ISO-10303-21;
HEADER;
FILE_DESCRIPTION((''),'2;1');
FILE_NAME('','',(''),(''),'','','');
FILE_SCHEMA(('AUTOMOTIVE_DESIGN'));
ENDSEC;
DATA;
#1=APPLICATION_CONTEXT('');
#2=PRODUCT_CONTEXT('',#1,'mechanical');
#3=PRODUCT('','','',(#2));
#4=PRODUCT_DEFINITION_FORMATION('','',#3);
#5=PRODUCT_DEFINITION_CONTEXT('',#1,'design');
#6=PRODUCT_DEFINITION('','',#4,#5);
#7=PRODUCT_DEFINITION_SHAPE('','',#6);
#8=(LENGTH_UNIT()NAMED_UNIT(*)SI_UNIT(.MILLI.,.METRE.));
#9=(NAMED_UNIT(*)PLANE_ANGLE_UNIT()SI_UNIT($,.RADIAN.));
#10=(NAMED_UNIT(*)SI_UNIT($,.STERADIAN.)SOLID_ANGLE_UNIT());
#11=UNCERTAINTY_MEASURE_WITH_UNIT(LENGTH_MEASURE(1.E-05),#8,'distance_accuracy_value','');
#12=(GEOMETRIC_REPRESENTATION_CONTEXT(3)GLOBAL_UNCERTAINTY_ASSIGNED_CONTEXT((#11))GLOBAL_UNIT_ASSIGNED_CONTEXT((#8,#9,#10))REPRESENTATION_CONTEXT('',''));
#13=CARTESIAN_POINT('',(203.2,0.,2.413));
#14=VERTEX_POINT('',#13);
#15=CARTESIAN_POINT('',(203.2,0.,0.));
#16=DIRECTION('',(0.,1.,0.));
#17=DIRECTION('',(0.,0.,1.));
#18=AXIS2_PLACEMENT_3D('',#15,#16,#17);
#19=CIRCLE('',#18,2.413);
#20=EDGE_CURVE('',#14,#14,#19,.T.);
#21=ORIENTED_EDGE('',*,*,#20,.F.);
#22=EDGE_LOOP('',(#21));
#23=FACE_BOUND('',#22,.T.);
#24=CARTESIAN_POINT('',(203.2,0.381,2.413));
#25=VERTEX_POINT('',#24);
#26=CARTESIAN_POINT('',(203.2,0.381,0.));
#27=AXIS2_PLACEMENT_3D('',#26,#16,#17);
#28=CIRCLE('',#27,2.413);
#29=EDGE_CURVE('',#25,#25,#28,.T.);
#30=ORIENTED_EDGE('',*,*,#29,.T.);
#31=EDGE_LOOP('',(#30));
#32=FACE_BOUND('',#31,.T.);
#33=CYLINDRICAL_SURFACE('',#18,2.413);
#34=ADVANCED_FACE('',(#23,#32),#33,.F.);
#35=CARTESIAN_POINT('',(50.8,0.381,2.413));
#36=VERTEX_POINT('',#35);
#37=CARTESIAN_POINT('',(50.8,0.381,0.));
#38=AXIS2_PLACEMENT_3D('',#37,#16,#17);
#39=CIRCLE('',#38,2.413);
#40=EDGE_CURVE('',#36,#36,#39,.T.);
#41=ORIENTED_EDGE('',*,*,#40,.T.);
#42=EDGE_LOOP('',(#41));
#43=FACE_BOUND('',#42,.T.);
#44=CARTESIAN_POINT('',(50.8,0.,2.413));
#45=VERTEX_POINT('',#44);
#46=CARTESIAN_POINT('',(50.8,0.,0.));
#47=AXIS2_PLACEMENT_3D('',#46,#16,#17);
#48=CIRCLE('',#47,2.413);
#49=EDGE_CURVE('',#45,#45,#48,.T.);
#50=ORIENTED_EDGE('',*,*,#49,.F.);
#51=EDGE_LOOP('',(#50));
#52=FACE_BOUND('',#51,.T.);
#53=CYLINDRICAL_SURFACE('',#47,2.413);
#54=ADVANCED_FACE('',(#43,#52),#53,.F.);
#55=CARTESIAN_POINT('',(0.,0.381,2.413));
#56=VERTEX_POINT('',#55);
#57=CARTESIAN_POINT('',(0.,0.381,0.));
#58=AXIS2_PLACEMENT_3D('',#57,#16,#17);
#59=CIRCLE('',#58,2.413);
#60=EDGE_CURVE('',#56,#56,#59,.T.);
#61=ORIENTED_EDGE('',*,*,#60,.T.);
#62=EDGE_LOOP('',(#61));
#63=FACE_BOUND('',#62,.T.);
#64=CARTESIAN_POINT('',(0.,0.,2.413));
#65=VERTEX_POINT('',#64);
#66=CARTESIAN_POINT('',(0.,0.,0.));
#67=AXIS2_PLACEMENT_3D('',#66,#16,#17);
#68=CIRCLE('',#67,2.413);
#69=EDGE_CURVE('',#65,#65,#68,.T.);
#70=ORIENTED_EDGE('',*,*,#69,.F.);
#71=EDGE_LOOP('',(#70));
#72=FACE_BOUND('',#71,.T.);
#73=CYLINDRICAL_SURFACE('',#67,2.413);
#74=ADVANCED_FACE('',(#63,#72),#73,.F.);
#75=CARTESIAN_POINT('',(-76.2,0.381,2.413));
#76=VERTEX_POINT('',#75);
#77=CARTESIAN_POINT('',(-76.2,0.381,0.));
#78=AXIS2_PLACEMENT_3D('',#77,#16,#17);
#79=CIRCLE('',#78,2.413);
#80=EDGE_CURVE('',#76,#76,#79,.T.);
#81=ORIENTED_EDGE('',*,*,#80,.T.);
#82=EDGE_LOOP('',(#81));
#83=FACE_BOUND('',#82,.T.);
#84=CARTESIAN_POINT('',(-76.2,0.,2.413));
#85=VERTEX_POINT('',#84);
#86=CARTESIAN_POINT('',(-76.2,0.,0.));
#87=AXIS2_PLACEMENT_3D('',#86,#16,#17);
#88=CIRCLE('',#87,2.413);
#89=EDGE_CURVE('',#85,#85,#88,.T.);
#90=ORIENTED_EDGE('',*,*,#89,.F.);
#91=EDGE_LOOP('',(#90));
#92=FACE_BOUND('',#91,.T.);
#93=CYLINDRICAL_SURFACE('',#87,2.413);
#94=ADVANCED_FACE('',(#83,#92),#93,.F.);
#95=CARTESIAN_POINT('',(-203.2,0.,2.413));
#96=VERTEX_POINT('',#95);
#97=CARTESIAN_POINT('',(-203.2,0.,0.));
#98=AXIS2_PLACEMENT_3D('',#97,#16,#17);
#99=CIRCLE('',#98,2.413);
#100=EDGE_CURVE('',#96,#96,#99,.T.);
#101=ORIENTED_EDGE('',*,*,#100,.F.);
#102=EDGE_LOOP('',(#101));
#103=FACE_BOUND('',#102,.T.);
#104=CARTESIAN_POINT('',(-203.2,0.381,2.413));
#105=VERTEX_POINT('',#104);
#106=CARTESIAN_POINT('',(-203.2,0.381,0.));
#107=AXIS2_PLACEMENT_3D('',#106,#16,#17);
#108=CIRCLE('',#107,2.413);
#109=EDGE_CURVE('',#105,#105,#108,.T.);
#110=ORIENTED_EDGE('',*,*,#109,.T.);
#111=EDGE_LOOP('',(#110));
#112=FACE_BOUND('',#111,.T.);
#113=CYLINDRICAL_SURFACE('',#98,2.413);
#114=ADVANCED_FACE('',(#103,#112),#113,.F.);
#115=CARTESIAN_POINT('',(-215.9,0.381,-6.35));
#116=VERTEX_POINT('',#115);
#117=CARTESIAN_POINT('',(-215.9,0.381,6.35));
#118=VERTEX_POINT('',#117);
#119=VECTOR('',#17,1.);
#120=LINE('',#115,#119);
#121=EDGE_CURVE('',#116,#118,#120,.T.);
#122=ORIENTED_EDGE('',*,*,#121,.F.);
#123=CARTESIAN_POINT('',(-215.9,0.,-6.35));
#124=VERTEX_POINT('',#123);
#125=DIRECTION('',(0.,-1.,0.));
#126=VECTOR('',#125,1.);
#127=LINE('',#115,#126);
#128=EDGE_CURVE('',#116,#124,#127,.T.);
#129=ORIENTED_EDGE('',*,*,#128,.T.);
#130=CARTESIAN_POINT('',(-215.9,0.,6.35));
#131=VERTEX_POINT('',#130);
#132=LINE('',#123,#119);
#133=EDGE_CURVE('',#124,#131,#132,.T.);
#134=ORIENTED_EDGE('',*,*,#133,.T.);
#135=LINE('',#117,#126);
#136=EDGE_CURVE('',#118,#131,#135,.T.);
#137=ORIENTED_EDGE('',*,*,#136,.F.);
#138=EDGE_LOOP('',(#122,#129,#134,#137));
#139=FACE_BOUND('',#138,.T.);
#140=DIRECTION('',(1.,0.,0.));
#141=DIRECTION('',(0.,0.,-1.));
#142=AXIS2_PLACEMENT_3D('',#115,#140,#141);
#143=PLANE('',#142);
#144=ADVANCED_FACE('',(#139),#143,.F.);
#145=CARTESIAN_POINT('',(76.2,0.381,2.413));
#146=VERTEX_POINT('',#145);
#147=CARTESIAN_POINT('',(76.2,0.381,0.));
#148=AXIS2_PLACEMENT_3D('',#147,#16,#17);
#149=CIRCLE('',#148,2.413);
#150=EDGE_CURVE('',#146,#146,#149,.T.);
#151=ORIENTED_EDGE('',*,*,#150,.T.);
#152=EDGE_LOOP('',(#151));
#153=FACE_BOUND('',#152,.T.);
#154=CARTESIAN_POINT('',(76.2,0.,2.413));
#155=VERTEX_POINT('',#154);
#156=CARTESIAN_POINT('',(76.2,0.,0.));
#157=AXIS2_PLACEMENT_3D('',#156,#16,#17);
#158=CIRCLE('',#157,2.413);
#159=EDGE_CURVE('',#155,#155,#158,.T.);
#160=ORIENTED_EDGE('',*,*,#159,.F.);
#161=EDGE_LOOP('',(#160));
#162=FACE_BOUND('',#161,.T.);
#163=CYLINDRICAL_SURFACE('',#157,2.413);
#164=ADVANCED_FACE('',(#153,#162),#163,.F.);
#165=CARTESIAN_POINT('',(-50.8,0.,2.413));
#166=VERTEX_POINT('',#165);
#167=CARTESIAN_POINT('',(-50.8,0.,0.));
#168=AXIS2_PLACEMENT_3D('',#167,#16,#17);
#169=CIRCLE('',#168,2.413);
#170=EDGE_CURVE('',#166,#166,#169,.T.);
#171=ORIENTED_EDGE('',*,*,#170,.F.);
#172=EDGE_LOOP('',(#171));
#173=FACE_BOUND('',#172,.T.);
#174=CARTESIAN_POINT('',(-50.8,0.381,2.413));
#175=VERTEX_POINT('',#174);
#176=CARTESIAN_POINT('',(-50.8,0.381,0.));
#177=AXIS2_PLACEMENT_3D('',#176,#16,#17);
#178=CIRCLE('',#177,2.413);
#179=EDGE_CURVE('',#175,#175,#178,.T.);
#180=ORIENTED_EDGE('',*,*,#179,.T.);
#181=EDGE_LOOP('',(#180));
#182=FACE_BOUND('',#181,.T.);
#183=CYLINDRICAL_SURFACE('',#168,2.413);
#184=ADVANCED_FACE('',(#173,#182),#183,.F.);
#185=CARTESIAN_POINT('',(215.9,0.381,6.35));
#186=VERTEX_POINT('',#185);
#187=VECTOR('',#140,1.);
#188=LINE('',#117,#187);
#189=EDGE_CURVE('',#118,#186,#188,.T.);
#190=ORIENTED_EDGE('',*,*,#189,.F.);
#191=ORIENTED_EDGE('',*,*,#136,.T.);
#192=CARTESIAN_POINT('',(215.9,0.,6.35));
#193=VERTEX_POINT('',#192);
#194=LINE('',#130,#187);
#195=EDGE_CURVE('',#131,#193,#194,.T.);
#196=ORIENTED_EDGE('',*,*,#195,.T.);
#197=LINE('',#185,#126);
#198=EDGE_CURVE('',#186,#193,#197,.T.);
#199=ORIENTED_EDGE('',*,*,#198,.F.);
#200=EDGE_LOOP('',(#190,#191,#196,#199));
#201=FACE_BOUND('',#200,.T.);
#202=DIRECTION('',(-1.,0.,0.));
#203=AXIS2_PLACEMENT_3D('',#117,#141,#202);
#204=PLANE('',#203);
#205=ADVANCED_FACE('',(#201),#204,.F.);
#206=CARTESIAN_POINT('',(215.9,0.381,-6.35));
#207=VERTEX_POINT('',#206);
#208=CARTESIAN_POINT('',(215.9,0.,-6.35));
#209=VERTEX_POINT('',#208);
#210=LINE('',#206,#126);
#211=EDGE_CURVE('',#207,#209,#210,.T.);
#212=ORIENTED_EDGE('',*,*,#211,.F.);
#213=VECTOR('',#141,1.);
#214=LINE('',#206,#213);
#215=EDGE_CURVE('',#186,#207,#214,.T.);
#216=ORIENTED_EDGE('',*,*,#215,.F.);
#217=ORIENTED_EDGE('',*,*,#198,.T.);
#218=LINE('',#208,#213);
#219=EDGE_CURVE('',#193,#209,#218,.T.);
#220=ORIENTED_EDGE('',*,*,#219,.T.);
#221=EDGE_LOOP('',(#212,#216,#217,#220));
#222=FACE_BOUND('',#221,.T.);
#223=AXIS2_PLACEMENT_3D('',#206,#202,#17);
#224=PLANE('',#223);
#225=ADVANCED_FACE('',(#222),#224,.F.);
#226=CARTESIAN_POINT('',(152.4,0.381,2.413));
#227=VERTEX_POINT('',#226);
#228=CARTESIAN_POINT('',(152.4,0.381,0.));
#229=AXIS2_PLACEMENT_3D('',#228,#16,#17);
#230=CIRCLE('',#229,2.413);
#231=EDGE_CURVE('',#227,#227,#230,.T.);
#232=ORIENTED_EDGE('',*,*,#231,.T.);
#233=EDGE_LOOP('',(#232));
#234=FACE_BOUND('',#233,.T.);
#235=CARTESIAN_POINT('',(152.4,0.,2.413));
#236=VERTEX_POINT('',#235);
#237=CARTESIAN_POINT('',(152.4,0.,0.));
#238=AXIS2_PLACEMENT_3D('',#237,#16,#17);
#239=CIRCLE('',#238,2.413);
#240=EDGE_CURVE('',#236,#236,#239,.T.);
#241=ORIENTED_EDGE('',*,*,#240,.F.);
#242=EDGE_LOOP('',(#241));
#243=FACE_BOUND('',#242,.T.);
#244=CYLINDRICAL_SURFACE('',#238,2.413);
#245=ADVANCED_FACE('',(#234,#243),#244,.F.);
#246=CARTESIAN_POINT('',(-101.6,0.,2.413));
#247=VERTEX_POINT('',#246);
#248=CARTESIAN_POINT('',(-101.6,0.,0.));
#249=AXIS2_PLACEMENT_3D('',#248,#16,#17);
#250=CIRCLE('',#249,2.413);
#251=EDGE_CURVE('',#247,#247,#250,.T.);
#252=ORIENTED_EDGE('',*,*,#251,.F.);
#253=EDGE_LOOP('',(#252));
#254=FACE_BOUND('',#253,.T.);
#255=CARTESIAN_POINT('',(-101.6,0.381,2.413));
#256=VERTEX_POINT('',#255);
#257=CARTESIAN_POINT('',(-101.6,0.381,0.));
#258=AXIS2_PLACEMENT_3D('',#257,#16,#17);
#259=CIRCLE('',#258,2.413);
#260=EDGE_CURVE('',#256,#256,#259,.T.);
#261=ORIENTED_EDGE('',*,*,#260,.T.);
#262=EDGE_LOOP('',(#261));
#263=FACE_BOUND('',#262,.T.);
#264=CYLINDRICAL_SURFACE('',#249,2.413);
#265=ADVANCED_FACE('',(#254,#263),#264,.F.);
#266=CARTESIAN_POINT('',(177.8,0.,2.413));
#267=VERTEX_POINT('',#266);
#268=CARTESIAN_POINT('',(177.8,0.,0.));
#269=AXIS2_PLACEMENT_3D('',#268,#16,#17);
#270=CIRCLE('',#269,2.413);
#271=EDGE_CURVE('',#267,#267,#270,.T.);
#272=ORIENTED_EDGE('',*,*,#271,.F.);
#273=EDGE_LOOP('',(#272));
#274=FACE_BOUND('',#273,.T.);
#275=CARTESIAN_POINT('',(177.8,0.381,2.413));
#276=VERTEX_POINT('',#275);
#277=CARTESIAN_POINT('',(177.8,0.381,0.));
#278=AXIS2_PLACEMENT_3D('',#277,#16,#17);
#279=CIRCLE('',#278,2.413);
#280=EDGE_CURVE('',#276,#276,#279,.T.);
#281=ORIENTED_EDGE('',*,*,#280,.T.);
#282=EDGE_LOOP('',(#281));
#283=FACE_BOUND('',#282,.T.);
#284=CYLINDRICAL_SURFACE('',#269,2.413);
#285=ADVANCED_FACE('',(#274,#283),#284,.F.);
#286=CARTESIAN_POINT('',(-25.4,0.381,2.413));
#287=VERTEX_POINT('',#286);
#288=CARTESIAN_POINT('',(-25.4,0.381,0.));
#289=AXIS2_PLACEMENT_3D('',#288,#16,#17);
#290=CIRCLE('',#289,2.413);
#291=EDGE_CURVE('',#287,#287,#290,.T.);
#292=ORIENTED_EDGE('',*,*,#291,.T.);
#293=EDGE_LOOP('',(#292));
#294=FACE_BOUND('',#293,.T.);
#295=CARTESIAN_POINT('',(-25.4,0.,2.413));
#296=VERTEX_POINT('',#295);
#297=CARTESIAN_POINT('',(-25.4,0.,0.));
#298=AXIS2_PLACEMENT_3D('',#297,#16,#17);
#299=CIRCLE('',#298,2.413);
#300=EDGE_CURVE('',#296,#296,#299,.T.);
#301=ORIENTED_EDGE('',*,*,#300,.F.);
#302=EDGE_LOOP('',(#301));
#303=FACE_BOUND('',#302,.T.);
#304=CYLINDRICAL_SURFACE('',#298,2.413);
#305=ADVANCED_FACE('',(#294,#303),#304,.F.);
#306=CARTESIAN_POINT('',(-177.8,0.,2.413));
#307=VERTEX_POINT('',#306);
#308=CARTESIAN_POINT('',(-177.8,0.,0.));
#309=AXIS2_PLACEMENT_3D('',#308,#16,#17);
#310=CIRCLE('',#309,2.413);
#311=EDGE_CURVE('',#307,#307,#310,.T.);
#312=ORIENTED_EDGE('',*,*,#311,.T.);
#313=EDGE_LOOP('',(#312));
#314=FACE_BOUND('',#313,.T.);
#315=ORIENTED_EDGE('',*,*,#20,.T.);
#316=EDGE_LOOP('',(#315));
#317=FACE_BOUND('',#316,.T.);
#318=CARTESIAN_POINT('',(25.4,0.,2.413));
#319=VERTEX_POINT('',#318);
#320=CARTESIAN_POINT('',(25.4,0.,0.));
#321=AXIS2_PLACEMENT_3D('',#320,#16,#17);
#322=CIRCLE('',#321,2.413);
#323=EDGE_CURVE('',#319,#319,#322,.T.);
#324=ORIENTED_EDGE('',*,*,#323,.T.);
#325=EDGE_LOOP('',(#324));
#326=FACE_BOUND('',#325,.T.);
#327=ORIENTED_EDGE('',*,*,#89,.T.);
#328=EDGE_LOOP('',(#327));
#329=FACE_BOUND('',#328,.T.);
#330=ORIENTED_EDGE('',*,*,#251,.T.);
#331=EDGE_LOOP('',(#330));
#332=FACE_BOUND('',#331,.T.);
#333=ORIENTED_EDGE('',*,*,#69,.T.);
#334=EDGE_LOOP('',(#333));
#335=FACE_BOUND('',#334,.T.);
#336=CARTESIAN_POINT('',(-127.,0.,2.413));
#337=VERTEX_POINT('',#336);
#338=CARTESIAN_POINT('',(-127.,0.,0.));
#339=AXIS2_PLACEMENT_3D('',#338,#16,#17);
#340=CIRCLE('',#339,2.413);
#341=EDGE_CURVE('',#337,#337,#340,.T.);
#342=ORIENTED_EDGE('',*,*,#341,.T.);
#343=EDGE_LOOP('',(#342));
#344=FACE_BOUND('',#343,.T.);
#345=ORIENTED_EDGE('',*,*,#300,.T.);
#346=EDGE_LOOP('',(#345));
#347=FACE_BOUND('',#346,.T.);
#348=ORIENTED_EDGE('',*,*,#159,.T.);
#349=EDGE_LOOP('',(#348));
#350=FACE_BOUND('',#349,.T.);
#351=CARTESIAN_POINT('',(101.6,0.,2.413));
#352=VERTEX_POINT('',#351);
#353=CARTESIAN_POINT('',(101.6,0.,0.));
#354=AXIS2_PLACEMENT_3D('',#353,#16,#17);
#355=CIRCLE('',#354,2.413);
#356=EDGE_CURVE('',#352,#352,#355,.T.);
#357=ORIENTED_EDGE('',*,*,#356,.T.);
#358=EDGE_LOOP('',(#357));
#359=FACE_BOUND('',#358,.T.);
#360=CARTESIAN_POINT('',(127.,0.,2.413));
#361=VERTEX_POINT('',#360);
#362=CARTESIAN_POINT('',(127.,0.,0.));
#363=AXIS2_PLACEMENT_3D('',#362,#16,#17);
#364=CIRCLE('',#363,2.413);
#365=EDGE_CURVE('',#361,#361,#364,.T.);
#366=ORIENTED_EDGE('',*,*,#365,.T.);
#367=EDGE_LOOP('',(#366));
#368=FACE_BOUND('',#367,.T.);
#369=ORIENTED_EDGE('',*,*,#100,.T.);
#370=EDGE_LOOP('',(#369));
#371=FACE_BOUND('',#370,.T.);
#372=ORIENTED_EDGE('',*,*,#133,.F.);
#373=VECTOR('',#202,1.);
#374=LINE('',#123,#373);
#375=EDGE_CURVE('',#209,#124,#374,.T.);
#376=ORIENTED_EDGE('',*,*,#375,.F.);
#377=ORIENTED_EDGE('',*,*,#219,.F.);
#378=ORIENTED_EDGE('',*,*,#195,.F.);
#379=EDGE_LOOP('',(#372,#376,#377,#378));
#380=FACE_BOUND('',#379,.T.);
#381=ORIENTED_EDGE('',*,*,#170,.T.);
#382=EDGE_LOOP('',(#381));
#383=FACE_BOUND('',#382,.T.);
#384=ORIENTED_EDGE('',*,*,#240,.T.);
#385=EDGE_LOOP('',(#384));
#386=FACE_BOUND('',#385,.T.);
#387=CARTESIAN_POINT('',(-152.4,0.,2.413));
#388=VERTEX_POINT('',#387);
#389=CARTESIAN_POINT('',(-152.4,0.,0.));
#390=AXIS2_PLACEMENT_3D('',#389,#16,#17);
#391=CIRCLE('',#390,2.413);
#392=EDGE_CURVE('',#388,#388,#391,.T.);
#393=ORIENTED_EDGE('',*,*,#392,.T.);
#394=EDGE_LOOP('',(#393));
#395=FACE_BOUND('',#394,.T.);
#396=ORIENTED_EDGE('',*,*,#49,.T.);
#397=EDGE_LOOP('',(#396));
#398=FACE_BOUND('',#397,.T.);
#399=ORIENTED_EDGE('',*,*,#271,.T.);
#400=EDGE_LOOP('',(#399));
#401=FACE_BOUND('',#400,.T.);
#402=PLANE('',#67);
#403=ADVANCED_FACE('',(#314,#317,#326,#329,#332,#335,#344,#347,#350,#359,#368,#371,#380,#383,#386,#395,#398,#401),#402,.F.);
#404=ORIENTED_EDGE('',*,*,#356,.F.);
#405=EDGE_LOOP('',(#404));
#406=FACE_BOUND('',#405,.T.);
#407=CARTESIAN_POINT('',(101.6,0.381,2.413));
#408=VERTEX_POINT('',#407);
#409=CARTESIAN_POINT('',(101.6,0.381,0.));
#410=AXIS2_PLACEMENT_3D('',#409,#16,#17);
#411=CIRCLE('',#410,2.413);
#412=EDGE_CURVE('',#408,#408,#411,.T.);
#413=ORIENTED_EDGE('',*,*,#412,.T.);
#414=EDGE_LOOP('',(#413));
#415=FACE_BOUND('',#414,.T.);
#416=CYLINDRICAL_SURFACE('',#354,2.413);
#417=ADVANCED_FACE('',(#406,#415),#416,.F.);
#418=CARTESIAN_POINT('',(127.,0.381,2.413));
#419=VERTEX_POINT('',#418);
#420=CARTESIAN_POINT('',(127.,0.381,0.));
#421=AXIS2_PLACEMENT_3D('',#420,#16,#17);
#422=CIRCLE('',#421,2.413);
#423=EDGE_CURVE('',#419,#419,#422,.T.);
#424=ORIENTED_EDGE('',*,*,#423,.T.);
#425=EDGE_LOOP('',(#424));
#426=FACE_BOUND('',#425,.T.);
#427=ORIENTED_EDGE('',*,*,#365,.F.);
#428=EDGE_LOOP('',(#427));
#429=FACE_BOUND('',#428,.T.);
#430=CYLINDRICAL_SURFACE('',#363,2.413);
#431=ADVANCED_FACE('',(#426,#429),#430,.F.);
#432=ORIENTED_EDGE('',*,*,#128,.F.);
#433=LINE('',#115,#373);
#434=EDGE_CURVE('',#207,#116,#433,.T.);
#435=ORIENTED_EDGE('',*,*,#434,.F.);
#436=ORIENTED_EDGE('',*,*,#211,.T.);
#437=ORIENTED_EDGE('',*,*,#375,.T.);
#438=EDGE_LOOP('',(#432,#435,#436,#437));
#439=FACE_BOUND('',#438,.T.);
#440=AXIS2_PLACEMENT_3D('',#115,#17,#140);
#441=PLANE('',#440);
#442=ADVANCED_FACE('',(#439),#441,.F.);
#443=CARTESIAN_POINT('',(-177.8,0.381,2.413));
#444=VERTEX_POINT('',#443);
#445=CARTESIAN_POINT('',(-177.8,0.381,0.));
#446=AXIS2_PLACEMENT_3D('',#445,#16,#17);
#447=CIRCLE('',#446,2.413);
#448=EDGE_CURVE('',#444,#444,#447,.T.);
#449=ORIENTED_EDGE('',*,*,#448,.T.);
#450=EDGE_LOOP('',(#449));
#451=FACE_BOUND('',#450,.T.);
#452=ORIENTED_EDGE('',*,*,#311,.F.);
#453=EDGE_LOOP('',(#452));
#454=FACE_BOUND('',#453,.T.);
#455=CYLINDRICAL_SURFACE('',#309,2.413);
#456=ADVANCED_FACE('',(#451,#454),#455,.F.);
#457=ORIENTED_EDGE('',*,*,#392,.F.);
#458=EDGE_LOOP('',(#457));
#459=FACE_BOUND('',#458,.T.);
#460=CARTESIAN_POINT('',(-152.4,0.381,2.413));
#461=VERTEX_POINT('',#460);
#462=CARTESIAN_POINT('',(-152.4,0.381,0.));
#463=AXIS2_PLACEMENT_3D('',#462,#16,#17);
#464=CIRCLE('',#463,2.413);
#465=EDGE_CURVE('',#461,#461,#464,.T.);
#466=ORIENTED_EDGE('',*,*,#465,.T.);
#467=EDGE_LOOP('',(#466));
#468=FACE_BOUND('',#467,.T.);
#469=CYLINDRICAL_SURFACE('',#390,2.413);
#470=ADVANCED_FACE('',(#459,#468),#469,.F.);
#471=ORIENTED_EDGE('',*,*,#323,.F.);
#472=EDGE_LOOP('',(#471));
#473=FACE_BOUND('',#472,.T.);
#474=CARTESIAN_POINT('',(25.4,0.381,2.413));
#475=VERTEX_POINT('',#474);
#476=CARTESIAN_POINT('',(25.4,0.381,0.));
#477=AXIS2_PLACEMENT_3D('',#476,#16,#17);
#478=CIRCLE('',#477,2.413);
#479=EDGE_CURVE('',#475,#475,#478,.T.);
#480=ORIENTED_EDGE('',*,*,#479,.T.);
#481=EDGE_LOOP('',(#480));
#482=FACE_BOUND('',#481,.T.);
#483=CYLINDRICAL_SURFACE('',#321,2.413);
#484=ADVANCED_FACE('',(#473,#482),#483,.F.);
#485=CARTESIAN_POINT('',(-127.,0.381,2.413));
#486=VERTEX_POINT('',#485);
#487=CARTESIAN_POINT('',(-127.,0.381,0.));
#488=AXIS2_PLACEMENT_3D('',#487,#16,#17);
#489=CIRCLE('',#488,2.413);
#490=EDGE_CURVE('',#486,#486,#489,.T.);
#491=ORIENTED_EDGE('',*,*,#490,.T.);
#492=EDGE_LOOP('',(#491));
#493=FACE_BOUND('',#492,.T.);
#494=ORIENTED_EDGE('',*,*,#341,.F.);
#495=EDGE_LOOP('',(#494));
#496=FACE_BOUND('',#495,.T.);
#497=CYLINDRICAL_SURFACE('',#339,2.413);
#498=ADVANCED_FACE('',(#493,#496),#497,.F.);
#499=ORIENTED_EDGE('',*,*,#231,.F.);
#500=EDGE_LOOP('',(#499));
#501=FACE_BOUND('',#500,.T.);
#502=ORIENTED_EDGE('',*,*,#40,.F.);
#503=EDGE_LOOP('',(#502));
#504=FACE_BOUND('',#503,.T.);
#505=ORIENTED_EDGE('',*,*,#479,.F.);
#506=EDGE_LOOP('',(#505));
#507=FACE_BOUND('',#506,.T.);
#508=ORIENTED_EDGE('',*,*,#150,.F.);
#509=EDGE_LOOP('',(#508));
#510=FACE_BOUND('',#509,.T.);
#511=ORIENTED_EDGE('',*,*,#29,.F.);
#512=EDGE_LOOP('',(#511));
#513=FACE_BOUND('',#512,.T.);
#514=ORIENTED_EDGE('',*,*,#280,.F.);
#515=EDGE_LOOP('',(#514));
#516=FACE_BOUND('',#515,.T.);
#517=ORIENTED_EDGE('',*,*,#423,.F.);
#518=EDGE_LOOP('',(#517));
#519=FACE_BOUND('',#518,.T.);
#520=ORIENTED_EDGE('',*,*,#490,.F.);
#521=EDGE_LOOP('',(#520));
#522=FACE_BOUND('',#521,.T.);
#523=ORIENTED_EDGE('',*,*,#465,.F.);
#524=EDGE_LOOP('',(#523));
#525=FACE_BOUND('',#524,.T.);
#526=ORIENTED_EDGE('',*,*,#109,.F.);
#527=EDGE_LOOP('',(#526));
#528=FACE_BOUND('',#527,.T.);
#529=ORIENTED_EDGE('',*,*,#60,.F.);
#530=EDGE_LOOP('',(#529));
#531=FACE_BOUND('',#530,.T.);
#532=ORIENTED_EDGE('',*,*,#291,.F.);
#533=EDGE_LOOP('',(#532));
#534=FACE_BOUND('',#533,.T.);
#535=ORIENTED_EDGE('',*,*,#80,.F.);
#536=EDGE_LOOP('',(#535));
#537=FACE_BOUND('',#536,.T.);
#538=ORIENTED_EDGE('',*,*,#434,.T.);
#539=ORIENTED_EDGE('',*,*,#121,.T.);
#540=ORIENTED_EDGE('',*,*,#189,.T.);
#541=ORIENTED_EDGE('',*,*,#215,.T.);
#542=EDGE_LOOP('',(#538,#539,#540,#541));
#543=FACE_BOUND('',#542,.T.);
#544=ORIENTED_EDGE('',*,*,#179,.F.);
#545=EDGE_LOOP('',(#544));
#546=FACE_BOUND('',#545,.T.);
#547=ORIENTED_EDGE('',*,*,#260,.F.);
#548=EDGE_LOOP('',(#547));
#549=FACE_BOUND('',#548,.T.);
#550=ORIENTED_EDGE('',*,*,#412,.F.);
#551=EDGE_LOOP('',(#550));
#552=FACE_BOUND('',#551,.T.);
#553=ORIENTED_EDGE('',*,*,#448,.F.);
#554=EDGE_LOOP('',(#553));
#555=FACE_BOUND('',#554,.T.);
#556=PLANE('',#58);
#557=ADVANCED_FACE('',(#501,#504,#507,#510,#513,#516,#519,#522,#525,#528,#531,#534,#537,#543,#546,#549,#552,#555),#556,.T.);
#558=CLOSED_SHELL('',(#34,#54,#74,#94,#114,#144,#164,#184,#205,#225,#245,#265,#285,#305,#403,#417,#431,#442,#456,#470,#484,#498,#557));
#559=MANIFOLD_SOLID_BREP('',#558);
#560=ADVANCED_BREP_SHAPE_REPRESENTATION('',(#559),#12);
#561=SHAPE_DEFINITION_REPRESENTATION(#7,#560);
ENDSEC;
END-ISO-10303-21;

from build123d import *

# Parameters (mm, degrees)
SKETCH1_W           = 431.8
SKETCH1_H           = 12.7
BOSS_EXTRUDE1_DEPTH = 0.381
SKETCH2_R           = 2.413
CUT_EXTRUDE1_DEPTH  = 1.381


with BuildPart() as part:
    # Sketch1 → Boss-Extrude1 (new body)
    with BuildSketch(Plane(origin=(0, 0, 0), x_dir=(1, 0, 0), z_dir=(0, 1, 0))):
        Rectangle(SKETCH1_W, SKETCH1_H)
    extrude(amount=BOSS_EXTRUDE1_DEPTH)

    # Sketch2 → Cut-Extrude1 (cut, through all)
    with BuildSketch(Plane(origin=(0, 0.381, 0), x_dir=(1, 0, 0), z_dir=(0, 1, 0))):
        Circle(SKETCH2_R)
        with Locations((-25.4, 0)):
            Circle(SKETCH2_R)
        with Locations((25.4, 0)):
            Circle(SKETCH2_R)
        with Locations((-50.8, 0)):
            Circle(SKETCH2_R)
        with Locations((-76.2, 0)):
            Circle(SKETCH2_R)
        with Locations((-101.6, 0)):
            Circle(SKETCH2_R)
        with Locations((-127, 0)):
            Circle(SKETCH2_R)
        with Locations((-152.4, 0)):
            Circle(SKETCH2_R)
        with Locations((-177.8, 0)):
            Circle(SKETCH2_R)
        with Locations((-203.2, 0)):
            Circle(SKETCH2_R)
        with Locations((50.8, 0)):
            Circle(SKETCH2_R)
        with Locations((76.2, 0)):
            Circle(SKETCH2_R)
        with Locations((101.6, 0)):
            Circle(SKETCH2_R)
        with Locations((127, 0)):
            Circle(SKETCH2_R)
        with Locations((152.4, 0)):
            Circle(SKETCH2_R)
        with Locations((177.8, 0)):
            Circle(SKETCH2_R)
        with Locations((203.2, 0)):
            Circle(SKETCH2_R)
    extrude(amount=-CUT_EXTRUDE1_DEPTH, mode=Mode.SUBTRACT)


solid = part.part
